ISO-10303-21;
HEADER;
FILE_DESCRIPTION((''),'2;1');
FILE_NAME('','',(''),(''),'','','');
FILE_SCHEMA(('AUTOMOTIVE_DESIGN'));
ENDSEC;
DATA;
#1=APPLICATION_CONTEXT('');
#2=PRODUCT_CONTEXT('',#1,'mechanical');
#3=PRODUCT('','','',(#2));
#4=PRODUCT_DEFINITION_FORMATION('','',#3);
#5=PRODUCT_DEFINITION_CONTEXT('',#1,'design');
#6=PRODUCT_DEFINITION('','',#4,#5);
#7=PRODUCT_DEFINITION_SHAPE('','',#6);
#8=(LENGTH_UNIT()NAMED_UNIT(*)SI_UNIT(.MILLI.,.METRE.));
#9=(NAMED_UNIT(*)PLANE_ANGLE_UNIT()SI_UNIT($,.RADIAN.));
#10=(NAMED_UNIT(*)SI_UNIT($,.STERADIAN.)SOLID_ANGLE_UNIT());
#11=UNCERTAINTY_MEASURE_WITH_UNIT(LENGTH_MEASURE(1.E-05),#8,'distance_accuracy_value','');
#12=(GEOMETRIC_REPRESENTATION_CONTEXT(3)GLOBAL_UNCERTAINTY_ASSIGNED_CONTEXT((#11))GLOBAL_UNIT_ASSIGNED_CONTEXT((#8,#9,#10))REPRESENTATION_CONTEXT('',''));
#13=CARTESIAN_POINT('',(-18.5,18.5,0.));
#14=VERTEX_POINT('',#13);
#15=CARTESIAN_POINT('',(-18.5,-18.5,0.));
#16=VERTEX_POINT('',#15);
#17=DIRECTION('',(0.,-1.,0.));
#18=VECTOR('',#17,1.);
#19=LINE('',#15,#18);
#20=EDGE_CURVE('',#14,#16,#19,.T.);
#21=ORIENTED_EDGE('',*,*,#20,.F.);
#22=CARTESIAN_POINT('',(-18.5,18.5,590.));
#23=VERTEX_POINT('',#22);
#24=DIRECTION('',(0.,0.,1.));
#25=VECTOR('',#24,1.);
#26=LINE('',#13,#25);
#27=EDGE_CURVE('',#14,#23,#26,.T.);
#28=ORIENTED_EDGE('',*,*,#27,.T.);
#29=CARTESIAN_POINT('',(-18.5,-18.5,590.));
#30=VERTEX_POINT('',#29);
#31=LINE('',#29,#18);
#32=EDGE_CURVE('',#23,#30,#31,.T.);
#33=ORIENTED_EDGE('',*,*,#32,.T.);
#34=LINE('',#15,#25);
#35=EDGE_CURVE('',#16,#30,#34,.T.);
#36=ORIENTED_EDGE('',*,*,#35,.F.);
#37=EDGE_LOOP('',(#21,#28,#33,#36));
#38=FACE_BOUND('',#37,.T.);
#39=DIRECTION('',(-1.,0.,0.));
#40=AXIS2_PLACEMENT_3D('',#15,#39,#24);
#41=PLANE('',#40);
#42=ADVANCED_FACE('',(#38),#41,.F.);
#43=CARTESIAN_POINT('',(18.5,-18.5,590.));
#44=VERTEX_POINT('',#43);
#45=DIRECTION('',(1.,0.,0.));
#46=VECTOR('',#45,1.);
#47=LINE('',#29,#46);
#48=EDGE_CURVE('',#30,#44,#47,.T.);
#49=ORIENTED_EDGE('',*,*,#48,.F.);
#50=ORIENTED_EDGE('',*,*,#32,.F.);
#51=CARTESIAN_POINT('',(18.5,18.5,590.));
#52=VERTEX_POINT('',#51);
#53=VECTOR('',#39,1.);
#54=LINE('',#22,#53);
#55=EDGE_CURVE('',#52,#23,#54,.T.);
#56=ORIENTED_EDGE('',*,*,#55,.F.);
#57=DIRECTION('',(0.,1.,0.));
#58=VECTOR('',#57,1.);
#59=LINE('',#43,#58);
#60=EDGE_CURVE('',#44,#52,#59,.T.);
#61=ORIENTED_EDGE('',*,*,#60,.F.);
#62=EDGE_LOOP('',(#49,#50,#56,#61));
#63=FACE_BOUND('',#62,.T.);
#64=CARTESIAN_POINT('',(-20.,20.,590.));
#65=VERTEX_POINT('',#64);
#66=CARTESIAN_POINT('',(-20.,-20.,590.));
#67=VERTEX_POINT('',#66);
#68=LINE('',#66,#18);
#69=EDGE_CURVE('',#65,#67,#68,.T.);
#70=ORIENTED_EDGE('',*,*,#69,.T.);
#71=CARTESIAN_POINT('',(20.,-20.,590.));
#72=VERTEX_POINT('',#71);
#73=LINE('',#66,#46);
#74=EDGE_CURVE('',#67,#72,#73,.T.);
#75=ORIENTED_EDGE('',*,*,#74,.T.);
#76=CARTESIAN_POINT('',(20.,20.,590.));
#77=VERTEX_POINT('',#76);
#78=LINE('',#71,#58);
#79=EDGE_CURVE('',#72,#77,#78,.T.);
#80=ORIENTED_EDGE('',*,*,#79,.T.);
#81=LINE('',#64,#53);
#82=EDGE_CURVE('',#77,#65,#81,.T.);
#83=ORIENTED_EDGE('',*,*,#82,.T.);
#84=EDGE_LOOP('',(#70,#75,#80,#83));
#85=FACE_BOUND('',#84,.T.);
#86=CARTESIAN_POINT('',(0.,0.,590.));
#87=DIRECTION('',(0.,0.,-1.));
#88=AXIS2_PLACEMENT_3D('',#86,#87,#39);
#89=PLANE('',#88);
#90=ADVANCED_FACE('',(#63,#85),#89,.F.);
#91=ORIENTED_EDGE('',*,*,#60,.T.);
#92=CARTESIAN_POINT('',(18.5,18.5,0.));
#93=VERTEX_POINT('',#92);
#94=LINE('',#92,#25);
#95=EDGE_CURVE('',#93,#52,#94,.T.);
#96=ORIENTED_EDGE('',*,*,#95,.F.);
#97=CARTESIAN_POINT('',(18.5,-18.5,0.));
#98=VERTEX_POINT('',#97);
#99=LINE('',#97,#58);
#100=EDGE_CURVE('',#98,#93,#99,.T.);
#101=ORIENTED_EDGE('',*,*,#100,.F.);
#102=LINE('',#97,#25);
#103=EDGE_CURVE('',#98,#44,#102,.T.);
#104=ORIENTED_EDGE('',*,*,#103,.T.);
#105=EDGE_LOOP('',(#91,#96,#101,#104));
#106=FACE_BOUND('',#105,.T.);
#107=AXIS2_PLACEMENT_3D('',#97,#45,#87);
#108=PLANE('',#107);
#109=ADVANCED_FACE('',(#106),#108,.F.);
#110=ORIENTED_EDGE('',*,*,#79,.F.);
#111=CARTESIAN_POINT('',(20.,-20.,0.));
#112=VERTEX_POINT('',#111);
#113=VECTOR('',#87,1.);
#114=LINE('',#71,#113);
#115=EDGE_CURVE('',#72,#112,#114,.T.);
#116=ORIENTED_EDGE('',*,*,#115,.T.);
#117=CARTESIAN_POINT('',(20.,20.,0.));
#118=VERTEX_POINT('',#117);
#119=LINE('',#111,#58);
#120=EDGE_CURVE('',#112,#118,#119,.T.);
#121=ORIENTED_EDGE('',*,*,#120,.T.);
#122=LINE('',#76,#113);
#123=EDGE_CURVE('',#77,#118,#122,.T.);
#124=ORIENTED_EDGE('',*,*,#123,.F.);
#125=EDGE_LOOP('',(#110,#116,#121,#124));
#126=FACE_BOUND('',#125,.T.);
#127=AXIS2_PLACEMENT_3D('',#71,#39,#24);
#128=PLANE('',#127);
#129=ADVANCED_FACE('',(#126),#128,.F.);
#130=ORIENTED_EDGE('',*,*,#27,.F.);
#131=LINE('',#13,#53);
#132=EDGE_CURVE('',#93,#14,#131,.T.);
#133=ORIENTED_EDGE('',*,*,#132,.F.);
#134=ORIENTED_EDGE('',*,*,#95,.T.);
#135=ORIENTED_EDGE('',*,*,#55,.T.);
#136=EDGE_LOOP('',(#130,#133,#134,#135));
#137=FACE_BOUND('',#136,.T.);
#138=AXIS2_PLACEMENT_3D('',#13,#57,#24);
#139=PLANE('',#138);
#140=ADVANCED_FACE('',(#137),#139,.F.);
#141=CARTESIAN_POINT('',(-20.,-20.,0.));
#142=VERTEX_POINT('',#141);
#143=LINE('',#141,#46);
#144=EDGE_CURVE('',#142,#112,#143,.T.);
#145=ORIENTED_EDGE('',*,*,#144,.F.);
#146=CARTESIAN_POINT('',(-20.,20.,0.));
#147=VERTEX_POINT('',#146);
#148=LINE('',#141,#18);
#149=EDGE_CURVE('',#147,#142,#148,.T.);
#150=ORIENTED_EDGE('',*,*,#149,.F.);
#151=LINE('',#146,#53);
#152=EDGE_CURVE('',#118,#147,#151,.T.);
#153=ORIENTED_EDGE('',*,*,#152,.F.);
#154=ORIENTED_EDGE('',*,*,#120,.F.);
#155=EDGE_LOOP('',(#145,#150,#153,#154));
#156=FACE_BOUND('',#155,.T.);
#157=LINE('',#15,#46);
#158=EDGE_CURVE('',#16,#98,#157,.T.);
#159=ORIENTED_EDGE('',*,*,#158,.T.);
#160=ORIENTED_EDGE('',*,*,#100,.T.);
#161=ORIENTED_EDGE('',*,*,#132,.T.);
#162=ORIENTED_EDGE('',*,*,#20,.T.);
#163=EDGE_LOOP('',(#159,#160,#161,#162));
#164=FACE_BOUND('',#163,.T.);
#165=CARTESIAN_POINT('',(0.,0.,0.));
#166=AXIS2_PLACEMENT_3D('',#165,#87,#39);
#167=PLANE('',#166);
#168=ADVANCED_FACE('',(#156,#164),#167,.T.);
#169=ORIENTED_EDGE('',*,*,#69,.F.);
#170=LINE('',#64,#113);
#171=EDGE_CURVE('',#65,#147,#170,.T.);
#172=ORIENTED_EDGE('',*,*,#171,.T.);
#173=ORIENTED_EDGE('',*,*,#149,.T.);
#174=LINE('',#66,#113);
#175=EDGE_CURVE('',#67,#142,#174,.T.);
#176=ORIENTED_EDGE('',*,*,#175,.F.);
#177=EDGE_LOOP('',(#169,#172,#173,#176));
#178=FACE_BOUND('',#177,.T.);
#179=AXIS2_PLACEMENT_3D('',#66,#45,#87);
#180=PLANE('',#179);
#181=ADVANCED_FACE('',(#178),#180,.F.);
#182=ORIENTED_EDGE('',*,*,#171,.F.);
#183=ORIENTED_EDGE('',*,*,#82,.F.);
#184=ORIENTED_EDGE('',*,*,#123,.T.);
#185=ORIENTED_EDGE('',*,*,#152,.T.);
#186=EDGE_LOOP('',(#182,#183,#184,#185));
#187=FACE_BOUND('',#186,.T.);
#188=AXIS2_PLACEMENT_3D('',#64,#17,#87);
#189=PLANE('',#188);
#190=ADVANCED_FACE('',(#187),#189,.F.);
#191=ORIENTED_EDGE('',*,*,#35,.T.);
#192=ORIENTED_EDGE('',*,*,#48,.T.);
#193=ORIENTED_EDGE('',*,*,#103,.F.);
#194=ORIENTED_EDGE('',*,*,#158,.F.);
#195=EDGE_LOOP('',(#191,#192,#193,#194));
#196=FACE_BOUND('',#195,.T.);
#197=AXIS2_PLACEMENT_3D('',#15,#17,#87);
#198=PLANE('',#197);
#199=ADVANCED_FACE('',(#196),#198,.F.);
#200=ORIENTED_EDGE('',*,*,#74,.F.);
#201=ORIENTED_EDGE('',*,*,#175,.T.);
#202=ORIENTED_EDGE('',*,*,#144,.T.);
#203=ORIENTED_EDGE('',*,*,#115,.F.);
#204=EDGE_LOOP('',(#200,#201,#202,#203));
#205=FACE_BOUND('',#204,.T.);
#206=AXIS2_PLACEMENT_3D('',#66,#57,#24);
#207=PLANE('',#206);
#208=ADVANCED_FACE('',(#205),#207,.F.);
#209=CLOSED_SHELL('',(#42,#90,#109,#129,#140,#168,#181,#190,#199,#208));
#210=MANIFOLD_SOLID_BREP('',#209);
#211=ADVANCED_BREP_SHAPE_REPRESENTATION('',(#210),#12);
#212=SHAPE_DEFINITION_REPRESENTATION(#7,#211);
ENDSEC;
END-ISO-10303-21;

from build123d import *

# Parameters (mm, degrees)
ESBO_O1_W                = 40
ESBO_O1_H                = 40
RESSALTO_EXTRUS_O1_DEPTH = 590
ESBO_O2_W                = 37
ESBO_O2_H                = 37
CORTE_EXTRUS_O1_DEPTH    = 591


with BuildPart() as part:
    # Esboço1 → Ressalto-extrusão1 (new body)
    with BuildSketch(Plane.XY):
        Rectangle(ESBO_O1_W, ESBO_O1_H)
    extrude(amount=RESSALTO_EXTRUS_O1_DEPTH)

    # Esboço2 → Corte-extrusão1 (cut, through all)
    with BuildSketch(Plane.XY.offset(590)):
        Rectangle(ESBO_O2_W, ESBO_O2_H)
    extrude(amount=-CORTE_EXTRUS_O1_DEPTH, mode=Mode.SUBTRACT)


solid = part.part
